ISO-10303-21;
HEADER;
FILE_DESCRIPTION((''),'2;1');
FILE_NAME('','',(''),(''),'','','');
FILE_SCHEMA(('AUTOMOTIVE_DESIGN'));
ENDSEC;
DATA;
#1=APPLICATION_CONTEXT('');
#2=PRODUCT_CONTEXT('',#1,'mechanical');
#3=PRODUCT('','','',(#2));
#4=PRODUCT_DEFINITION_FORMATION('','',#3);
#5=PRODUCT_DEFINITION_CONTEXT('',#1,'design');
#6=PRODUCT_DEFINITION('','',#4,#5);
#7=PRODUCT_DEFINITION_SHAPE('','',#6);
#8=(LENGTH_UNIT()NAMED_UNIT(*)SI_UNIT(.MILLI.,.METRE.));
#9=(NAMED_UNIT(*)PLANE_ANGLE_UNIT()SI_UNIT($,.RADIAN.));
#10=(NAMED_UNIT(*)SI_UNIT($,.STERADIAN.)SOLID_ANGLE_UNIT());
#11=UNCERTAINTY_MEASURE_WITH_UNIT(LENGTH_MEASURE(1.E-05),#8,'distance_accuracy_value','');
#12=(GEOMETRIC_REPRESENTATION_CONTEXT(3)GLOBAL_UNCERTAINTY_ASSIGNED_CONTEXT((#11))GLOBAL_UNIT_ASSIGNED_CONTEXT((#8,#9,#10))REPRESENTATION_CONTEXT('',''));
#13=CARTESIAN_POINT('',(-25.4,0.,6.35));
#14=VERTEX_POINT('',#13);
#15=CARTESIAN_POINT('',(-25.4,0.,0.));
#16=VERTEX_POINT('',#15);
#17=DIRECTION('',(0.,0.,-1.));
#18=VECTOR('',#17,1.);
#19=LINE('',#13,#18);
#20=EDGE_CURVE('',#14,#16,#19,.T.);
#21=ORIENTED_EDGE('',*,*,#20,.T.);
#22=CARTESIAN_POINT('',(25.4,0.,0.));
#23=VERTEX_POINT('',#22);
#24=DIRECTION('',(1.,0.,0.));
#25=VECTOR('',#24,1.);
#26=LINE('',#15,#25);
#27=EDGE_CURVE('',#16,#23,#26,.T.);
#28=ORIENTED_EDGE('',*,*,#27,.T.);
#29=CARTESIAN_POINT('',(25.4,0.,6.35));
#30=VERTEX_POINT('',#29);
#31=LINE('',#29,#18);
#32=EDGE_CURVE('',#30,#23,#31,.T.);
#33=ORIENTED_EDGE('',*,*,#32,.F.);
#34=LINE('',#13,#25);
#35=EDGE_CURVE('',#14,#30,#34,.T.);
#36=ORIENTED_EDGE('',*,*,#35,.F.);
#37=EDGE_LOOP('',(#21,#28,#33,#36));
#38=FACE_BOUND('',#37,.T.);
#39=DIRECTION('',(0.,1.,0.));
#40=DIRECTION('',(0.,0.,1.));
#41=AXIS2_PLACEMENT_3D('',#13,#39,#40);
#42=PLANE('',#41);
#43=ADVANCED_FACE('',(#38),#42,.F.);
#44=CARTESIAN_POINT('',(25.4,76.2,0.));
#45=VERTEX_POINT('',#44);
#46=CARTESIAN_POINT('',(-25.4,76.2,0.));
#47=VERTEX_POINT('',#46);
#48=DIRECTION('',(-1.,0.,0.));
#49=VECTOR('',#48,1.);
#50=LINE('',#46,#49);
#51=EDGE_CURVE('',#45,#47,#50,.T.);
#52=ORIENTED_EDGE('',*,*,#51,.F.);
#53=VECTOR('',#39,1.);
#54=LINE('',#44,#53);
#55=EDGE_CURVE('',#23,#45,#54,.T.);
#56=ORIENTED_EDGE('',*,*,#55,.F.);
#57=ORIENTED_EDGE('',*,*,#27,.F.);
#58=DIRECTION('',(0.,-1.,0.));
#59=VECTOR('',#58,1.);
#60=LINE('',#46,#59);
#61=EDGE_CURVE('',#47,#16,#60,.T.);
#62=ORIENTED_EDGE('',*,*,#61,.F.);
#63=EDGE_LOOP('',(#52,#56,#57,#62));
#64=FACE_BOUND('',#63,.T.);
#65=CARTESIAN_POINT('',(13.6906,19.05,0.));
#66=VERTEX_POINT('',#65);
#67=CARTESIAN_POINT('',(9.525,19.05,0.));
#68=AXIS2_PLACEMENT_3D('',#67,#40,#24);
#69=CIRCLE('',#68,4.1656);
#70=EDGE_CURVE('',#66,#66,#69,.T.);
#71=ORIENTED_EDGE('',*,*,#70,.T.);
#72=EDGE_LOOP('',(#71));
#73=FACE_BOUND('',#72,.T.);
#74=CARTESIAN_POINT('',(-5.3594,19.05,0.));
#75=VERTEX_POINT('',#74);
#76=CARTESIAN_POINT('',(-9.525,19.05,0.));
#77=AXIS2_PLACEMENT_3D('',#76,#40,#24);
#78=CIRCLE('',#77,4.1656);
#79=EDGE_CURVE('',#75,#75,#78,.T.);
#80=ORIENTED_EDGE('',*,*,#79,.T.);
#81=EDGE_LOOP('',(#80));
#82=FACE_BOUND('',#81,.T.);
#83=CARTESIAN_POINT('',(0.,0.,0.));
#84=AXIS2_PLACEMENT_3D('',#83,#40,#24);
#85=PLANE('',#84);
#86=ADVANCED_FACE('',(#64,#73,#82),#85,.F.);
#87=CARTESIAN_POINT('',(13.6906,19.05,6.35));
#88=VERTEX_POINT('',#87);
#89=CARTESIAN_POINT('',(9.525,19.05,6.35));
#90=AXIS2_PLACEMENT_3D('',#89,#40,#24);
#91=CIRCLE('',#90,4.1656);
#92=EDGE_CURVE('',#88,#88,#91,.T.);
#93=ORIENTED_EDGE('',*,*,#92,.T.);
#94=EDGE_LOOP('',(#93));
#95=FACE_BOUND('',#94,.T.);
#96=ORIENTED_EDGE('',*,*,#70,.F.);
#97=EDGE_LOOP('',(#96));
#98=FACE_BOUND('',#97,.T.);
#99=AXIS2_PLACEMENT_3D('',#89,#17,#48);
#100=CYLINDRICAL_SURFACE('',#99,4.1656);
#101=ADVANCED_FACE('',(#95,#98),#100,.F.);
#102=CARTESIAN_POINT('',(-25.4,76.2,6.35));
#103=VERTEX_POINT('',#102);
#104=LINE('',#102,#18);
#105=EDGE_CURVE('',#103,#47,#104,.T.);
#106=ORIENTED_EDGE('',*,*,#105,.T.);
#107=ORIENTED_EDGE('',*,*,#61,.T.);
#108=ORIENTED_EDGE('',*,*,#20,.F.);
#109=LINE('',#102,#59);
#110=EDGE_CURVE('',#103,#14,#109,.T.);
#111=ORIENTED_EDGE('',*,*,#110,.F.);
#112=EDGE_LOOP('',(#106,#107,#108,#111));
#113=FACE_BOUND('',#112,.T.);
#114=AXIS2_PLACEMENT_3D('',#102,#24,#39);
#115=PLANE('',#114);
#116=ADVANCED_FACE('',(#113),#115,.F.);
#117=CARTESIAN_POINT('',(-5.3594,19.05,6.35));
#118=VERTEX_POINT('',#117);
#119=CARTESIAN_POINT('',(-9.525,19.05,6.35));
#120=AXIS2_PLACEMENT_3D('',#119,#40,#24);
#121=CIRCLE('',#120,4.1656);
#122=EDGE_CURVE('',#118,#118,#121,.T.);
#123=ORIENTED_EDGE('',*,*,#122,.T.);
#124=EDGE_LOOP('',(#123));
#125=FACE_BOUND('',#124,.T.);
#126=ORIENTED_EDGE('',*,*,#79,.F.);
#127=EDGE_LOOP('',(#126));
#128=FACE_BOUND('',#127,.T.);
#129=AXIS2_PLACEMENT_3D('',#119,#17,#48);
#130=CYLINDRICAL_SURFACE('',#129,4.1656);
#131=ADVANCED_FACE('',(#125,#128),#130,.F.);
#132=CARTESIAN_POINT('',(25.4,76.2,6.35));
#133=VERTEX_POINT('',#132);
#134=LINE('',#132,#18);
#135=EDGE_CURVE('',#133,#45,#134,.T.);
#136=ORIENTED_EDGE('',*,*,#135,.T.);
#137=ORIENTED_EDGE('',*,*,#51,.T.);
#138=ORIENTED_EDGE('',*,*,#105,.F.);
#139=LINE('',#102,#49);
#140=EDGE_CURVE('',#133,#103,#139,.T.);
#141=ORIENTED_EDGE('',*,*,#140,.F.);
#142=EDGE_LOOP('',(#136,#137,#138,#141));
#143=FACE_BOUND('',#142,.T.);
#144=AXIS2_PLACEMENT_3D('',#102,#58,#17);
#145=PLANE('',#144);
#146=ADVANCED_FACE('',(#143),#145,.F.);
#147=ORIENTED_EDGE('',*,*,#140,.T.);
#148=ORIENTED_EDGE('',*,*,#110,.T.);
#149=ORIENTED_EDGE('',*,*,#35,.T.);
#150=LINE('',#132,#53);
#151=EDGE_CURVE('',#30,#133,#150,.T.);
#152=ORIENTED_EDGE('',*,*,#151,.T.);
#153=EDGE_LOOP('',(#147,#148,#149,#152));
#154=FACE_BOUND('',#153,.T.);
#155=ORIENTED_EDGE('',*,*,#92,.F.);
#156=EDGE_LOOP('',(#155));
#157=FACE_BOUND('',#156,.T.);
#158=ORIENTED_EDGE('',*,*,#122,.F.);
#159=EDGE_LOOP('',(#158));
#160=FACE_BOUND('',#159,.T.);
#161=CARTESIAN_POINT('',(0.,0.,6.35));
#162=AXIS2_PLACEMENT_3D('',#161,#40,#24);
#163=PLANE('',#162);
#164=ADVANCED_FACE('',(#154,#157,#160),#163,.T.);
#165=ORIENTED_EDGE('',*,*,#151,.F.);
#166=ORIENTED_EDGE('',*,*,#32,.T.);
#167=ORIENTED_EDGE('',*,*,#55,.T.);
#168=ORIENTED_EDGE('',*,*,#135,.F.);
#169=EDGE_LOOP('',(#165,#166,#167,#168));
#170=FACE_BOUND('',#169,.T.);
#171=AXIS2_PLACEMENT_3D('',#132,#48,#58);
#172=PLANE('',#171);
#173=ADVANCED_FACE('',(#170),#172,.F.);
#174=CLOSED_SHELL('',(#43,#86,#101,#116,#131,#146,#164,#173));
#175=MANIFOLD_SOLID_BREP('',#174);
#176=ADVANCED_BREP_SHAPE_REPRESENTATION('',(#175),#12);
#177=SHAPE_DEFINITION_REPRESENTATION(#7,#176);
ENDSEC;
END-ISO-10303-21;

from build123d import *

# Parameters (mm, degrees)
SKETCH1_W           = 50.8
SKETCH1_H           = 76.2
SKETCH1_R           = 4.1656
BOSS_EXTRUDE1_DEPTH = 6.35


with BuildPart() as part:
    # Sketch1 → Boss-Extrude1 (new body)
    with BuildSketch(Plane.XY):
        with Locations((0, 38.1)):
            Rectangle(SKETCH1_W, SKETCH1_H)
        with Locations((9.525, 19.05)):
            Circle(SKETCH1_R, mode=Mode.SUBTRACT)
        with Locations((-9.525, 19.05)):
            Circle(SKETCH1_R, mode=Mode.SUBTRACT)
    extrude(amount=BOSS_EXTRUDE1_DEPTH)


solid = part.part
